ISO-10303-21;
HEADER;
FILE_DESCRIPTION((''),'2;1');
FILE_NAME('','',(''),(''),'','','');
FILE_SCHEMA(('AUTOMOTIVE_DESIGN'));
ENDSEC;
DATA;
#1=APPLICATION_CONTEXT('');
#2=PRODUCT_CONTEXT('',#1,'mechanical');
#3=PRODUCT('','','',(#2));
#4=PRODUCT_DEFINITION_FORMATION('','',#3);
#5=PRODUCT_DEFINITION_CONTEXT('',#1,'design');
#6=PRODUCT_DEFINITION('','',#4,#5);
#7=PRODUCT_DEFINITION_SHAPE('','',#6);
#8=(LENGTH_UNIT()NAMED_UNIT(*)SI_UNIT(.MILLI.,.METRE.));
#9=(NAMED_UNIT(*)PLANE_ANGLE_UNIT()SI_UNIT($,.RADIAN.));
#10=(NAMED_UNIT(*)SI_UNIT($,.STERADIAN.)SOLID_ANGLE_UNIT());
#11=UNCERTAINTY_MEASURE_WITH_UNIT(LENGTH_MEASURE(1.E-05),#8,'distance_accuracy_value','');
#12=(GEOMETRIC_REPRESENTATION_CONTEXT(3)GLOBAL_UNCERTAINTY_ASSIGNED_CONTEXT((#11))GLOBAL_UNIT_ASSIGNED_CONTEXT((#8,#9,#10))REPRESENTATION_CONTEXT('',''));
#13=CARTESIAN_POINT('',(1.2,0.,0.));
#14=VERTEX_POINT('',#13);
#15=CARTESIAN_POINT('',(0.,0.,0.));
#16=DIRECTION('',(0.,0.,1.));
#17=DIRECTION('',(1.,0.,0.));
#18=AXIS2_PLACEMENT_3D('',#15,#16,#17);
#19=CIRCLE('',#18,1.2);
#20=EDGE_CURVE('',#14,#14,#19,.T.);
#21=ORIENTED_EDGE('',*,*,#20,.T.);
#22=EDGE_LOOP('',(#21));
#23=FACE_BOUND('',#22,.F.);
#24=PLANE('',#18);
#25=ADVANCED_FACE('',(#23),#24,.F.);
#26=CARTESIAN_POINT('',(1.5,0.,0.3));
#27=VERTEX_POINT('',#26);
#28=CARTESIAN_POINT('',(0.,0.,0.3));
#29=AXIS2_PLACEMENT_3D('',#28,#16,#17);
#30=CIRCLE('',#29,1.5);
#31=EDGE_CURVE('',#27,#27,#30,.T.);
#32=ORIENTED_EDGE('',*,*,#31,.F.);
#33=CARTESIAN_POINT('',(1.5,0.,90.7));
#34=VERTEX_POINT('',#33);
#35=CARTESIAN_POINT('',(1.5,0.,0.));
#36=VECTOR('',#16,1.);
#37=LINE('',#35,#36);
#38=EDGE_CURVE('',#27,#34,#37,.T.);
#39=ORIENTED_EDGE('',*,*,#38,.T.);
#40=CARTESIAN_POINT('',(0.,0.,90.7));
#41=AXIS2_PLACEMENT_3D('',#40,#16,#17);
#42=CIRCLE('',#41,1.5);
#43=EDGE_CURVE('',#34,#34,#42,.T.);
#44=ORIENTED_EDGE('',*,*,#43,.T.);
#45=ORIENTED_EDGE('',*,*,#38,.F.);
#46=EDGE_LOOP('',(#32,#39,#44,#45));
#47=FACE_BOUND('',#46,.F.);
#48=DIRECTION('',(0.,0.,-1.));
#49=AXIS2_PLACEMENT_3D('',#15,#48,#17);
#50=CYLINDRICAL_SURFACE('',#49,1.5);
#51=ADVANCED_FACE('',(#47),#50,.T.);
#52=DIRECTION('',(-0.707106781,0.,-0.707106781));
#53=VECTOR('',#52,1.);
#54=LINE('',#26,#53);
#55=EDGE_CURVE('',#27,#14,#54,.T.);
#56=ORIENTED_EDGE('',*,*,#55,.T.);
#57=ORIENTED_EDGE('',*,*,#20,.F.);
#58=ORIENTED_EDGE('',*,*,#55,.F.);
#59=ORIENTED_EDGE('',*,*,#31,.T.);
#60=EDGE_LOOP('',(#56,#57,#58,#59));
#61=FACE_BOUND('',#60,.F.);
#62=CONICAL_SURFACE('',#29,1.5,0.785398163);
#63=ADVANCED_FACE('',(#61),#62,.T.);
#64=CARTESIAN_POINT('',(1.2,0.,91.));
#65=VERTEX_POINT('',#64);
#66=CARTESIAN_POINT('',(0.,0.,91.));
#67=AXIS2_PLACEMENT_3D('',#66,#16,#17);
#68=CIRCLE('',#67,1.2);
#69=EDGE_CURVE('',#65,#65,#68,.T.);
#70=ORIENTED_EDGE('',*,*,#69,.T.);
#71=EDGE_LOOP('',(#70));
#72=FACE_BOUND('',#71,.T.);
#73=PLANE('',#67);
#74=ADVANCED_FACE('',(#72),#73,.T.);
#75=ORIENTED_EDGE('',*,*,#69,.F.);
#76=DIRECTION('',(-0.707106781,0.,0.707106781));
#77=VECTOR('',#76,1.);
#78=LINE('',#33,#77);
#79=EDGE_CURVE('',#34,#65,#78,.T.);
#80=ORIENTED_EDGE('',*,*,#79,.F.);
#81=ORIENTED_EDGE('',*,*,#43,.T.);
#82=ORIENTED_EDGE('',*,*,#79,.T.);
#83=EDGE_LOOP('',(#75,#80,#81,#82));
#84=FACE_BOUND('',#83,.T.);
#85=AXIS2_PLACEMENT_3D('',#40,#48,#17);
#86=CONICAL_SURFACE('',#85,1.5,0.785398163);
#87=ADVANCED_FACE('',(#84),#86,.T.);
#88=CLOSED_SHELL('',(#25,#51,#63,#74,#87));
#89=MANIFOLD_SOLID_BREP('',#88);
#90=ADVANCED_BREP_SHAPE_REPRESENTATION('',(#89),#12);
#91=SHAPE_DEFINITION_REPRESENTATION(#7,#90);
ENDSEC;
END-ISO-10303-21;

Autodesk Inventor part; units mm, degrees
ref_plane "YZ Plane" through (0, 0, 0) normal (1, 0, 0) x (0, 1, 0)
ref_plane "XZ Plane" through (0, 0, 0) normal (0, 1, 0) x (-1, 0, 0)
ref_plane "XY Plane" through (0, 0, 0) normal (0, 0, 1) x (1, 0, 0)
sketch "Skizze1" plane through (0, 0, 0) normal (0, 0, 1) x (1, 0, 0)
  circle A0 centre (0, 0) radius 1.5
  dimension "d0" = 3
extrude "Extrusion1" add sketch "Skizze1" along normal blind 91
thread "Gewinde1" size "M3x0.5" class "6g" standard "ANSI Metric M Profile" full length
chamfer "Fase1" distance 0.3 angle 45 2 edges at (-1.5, 0, 91) (-1.5, 0, 0)
properties part number "Gewindestange M3x91mm" material "Stahl"
